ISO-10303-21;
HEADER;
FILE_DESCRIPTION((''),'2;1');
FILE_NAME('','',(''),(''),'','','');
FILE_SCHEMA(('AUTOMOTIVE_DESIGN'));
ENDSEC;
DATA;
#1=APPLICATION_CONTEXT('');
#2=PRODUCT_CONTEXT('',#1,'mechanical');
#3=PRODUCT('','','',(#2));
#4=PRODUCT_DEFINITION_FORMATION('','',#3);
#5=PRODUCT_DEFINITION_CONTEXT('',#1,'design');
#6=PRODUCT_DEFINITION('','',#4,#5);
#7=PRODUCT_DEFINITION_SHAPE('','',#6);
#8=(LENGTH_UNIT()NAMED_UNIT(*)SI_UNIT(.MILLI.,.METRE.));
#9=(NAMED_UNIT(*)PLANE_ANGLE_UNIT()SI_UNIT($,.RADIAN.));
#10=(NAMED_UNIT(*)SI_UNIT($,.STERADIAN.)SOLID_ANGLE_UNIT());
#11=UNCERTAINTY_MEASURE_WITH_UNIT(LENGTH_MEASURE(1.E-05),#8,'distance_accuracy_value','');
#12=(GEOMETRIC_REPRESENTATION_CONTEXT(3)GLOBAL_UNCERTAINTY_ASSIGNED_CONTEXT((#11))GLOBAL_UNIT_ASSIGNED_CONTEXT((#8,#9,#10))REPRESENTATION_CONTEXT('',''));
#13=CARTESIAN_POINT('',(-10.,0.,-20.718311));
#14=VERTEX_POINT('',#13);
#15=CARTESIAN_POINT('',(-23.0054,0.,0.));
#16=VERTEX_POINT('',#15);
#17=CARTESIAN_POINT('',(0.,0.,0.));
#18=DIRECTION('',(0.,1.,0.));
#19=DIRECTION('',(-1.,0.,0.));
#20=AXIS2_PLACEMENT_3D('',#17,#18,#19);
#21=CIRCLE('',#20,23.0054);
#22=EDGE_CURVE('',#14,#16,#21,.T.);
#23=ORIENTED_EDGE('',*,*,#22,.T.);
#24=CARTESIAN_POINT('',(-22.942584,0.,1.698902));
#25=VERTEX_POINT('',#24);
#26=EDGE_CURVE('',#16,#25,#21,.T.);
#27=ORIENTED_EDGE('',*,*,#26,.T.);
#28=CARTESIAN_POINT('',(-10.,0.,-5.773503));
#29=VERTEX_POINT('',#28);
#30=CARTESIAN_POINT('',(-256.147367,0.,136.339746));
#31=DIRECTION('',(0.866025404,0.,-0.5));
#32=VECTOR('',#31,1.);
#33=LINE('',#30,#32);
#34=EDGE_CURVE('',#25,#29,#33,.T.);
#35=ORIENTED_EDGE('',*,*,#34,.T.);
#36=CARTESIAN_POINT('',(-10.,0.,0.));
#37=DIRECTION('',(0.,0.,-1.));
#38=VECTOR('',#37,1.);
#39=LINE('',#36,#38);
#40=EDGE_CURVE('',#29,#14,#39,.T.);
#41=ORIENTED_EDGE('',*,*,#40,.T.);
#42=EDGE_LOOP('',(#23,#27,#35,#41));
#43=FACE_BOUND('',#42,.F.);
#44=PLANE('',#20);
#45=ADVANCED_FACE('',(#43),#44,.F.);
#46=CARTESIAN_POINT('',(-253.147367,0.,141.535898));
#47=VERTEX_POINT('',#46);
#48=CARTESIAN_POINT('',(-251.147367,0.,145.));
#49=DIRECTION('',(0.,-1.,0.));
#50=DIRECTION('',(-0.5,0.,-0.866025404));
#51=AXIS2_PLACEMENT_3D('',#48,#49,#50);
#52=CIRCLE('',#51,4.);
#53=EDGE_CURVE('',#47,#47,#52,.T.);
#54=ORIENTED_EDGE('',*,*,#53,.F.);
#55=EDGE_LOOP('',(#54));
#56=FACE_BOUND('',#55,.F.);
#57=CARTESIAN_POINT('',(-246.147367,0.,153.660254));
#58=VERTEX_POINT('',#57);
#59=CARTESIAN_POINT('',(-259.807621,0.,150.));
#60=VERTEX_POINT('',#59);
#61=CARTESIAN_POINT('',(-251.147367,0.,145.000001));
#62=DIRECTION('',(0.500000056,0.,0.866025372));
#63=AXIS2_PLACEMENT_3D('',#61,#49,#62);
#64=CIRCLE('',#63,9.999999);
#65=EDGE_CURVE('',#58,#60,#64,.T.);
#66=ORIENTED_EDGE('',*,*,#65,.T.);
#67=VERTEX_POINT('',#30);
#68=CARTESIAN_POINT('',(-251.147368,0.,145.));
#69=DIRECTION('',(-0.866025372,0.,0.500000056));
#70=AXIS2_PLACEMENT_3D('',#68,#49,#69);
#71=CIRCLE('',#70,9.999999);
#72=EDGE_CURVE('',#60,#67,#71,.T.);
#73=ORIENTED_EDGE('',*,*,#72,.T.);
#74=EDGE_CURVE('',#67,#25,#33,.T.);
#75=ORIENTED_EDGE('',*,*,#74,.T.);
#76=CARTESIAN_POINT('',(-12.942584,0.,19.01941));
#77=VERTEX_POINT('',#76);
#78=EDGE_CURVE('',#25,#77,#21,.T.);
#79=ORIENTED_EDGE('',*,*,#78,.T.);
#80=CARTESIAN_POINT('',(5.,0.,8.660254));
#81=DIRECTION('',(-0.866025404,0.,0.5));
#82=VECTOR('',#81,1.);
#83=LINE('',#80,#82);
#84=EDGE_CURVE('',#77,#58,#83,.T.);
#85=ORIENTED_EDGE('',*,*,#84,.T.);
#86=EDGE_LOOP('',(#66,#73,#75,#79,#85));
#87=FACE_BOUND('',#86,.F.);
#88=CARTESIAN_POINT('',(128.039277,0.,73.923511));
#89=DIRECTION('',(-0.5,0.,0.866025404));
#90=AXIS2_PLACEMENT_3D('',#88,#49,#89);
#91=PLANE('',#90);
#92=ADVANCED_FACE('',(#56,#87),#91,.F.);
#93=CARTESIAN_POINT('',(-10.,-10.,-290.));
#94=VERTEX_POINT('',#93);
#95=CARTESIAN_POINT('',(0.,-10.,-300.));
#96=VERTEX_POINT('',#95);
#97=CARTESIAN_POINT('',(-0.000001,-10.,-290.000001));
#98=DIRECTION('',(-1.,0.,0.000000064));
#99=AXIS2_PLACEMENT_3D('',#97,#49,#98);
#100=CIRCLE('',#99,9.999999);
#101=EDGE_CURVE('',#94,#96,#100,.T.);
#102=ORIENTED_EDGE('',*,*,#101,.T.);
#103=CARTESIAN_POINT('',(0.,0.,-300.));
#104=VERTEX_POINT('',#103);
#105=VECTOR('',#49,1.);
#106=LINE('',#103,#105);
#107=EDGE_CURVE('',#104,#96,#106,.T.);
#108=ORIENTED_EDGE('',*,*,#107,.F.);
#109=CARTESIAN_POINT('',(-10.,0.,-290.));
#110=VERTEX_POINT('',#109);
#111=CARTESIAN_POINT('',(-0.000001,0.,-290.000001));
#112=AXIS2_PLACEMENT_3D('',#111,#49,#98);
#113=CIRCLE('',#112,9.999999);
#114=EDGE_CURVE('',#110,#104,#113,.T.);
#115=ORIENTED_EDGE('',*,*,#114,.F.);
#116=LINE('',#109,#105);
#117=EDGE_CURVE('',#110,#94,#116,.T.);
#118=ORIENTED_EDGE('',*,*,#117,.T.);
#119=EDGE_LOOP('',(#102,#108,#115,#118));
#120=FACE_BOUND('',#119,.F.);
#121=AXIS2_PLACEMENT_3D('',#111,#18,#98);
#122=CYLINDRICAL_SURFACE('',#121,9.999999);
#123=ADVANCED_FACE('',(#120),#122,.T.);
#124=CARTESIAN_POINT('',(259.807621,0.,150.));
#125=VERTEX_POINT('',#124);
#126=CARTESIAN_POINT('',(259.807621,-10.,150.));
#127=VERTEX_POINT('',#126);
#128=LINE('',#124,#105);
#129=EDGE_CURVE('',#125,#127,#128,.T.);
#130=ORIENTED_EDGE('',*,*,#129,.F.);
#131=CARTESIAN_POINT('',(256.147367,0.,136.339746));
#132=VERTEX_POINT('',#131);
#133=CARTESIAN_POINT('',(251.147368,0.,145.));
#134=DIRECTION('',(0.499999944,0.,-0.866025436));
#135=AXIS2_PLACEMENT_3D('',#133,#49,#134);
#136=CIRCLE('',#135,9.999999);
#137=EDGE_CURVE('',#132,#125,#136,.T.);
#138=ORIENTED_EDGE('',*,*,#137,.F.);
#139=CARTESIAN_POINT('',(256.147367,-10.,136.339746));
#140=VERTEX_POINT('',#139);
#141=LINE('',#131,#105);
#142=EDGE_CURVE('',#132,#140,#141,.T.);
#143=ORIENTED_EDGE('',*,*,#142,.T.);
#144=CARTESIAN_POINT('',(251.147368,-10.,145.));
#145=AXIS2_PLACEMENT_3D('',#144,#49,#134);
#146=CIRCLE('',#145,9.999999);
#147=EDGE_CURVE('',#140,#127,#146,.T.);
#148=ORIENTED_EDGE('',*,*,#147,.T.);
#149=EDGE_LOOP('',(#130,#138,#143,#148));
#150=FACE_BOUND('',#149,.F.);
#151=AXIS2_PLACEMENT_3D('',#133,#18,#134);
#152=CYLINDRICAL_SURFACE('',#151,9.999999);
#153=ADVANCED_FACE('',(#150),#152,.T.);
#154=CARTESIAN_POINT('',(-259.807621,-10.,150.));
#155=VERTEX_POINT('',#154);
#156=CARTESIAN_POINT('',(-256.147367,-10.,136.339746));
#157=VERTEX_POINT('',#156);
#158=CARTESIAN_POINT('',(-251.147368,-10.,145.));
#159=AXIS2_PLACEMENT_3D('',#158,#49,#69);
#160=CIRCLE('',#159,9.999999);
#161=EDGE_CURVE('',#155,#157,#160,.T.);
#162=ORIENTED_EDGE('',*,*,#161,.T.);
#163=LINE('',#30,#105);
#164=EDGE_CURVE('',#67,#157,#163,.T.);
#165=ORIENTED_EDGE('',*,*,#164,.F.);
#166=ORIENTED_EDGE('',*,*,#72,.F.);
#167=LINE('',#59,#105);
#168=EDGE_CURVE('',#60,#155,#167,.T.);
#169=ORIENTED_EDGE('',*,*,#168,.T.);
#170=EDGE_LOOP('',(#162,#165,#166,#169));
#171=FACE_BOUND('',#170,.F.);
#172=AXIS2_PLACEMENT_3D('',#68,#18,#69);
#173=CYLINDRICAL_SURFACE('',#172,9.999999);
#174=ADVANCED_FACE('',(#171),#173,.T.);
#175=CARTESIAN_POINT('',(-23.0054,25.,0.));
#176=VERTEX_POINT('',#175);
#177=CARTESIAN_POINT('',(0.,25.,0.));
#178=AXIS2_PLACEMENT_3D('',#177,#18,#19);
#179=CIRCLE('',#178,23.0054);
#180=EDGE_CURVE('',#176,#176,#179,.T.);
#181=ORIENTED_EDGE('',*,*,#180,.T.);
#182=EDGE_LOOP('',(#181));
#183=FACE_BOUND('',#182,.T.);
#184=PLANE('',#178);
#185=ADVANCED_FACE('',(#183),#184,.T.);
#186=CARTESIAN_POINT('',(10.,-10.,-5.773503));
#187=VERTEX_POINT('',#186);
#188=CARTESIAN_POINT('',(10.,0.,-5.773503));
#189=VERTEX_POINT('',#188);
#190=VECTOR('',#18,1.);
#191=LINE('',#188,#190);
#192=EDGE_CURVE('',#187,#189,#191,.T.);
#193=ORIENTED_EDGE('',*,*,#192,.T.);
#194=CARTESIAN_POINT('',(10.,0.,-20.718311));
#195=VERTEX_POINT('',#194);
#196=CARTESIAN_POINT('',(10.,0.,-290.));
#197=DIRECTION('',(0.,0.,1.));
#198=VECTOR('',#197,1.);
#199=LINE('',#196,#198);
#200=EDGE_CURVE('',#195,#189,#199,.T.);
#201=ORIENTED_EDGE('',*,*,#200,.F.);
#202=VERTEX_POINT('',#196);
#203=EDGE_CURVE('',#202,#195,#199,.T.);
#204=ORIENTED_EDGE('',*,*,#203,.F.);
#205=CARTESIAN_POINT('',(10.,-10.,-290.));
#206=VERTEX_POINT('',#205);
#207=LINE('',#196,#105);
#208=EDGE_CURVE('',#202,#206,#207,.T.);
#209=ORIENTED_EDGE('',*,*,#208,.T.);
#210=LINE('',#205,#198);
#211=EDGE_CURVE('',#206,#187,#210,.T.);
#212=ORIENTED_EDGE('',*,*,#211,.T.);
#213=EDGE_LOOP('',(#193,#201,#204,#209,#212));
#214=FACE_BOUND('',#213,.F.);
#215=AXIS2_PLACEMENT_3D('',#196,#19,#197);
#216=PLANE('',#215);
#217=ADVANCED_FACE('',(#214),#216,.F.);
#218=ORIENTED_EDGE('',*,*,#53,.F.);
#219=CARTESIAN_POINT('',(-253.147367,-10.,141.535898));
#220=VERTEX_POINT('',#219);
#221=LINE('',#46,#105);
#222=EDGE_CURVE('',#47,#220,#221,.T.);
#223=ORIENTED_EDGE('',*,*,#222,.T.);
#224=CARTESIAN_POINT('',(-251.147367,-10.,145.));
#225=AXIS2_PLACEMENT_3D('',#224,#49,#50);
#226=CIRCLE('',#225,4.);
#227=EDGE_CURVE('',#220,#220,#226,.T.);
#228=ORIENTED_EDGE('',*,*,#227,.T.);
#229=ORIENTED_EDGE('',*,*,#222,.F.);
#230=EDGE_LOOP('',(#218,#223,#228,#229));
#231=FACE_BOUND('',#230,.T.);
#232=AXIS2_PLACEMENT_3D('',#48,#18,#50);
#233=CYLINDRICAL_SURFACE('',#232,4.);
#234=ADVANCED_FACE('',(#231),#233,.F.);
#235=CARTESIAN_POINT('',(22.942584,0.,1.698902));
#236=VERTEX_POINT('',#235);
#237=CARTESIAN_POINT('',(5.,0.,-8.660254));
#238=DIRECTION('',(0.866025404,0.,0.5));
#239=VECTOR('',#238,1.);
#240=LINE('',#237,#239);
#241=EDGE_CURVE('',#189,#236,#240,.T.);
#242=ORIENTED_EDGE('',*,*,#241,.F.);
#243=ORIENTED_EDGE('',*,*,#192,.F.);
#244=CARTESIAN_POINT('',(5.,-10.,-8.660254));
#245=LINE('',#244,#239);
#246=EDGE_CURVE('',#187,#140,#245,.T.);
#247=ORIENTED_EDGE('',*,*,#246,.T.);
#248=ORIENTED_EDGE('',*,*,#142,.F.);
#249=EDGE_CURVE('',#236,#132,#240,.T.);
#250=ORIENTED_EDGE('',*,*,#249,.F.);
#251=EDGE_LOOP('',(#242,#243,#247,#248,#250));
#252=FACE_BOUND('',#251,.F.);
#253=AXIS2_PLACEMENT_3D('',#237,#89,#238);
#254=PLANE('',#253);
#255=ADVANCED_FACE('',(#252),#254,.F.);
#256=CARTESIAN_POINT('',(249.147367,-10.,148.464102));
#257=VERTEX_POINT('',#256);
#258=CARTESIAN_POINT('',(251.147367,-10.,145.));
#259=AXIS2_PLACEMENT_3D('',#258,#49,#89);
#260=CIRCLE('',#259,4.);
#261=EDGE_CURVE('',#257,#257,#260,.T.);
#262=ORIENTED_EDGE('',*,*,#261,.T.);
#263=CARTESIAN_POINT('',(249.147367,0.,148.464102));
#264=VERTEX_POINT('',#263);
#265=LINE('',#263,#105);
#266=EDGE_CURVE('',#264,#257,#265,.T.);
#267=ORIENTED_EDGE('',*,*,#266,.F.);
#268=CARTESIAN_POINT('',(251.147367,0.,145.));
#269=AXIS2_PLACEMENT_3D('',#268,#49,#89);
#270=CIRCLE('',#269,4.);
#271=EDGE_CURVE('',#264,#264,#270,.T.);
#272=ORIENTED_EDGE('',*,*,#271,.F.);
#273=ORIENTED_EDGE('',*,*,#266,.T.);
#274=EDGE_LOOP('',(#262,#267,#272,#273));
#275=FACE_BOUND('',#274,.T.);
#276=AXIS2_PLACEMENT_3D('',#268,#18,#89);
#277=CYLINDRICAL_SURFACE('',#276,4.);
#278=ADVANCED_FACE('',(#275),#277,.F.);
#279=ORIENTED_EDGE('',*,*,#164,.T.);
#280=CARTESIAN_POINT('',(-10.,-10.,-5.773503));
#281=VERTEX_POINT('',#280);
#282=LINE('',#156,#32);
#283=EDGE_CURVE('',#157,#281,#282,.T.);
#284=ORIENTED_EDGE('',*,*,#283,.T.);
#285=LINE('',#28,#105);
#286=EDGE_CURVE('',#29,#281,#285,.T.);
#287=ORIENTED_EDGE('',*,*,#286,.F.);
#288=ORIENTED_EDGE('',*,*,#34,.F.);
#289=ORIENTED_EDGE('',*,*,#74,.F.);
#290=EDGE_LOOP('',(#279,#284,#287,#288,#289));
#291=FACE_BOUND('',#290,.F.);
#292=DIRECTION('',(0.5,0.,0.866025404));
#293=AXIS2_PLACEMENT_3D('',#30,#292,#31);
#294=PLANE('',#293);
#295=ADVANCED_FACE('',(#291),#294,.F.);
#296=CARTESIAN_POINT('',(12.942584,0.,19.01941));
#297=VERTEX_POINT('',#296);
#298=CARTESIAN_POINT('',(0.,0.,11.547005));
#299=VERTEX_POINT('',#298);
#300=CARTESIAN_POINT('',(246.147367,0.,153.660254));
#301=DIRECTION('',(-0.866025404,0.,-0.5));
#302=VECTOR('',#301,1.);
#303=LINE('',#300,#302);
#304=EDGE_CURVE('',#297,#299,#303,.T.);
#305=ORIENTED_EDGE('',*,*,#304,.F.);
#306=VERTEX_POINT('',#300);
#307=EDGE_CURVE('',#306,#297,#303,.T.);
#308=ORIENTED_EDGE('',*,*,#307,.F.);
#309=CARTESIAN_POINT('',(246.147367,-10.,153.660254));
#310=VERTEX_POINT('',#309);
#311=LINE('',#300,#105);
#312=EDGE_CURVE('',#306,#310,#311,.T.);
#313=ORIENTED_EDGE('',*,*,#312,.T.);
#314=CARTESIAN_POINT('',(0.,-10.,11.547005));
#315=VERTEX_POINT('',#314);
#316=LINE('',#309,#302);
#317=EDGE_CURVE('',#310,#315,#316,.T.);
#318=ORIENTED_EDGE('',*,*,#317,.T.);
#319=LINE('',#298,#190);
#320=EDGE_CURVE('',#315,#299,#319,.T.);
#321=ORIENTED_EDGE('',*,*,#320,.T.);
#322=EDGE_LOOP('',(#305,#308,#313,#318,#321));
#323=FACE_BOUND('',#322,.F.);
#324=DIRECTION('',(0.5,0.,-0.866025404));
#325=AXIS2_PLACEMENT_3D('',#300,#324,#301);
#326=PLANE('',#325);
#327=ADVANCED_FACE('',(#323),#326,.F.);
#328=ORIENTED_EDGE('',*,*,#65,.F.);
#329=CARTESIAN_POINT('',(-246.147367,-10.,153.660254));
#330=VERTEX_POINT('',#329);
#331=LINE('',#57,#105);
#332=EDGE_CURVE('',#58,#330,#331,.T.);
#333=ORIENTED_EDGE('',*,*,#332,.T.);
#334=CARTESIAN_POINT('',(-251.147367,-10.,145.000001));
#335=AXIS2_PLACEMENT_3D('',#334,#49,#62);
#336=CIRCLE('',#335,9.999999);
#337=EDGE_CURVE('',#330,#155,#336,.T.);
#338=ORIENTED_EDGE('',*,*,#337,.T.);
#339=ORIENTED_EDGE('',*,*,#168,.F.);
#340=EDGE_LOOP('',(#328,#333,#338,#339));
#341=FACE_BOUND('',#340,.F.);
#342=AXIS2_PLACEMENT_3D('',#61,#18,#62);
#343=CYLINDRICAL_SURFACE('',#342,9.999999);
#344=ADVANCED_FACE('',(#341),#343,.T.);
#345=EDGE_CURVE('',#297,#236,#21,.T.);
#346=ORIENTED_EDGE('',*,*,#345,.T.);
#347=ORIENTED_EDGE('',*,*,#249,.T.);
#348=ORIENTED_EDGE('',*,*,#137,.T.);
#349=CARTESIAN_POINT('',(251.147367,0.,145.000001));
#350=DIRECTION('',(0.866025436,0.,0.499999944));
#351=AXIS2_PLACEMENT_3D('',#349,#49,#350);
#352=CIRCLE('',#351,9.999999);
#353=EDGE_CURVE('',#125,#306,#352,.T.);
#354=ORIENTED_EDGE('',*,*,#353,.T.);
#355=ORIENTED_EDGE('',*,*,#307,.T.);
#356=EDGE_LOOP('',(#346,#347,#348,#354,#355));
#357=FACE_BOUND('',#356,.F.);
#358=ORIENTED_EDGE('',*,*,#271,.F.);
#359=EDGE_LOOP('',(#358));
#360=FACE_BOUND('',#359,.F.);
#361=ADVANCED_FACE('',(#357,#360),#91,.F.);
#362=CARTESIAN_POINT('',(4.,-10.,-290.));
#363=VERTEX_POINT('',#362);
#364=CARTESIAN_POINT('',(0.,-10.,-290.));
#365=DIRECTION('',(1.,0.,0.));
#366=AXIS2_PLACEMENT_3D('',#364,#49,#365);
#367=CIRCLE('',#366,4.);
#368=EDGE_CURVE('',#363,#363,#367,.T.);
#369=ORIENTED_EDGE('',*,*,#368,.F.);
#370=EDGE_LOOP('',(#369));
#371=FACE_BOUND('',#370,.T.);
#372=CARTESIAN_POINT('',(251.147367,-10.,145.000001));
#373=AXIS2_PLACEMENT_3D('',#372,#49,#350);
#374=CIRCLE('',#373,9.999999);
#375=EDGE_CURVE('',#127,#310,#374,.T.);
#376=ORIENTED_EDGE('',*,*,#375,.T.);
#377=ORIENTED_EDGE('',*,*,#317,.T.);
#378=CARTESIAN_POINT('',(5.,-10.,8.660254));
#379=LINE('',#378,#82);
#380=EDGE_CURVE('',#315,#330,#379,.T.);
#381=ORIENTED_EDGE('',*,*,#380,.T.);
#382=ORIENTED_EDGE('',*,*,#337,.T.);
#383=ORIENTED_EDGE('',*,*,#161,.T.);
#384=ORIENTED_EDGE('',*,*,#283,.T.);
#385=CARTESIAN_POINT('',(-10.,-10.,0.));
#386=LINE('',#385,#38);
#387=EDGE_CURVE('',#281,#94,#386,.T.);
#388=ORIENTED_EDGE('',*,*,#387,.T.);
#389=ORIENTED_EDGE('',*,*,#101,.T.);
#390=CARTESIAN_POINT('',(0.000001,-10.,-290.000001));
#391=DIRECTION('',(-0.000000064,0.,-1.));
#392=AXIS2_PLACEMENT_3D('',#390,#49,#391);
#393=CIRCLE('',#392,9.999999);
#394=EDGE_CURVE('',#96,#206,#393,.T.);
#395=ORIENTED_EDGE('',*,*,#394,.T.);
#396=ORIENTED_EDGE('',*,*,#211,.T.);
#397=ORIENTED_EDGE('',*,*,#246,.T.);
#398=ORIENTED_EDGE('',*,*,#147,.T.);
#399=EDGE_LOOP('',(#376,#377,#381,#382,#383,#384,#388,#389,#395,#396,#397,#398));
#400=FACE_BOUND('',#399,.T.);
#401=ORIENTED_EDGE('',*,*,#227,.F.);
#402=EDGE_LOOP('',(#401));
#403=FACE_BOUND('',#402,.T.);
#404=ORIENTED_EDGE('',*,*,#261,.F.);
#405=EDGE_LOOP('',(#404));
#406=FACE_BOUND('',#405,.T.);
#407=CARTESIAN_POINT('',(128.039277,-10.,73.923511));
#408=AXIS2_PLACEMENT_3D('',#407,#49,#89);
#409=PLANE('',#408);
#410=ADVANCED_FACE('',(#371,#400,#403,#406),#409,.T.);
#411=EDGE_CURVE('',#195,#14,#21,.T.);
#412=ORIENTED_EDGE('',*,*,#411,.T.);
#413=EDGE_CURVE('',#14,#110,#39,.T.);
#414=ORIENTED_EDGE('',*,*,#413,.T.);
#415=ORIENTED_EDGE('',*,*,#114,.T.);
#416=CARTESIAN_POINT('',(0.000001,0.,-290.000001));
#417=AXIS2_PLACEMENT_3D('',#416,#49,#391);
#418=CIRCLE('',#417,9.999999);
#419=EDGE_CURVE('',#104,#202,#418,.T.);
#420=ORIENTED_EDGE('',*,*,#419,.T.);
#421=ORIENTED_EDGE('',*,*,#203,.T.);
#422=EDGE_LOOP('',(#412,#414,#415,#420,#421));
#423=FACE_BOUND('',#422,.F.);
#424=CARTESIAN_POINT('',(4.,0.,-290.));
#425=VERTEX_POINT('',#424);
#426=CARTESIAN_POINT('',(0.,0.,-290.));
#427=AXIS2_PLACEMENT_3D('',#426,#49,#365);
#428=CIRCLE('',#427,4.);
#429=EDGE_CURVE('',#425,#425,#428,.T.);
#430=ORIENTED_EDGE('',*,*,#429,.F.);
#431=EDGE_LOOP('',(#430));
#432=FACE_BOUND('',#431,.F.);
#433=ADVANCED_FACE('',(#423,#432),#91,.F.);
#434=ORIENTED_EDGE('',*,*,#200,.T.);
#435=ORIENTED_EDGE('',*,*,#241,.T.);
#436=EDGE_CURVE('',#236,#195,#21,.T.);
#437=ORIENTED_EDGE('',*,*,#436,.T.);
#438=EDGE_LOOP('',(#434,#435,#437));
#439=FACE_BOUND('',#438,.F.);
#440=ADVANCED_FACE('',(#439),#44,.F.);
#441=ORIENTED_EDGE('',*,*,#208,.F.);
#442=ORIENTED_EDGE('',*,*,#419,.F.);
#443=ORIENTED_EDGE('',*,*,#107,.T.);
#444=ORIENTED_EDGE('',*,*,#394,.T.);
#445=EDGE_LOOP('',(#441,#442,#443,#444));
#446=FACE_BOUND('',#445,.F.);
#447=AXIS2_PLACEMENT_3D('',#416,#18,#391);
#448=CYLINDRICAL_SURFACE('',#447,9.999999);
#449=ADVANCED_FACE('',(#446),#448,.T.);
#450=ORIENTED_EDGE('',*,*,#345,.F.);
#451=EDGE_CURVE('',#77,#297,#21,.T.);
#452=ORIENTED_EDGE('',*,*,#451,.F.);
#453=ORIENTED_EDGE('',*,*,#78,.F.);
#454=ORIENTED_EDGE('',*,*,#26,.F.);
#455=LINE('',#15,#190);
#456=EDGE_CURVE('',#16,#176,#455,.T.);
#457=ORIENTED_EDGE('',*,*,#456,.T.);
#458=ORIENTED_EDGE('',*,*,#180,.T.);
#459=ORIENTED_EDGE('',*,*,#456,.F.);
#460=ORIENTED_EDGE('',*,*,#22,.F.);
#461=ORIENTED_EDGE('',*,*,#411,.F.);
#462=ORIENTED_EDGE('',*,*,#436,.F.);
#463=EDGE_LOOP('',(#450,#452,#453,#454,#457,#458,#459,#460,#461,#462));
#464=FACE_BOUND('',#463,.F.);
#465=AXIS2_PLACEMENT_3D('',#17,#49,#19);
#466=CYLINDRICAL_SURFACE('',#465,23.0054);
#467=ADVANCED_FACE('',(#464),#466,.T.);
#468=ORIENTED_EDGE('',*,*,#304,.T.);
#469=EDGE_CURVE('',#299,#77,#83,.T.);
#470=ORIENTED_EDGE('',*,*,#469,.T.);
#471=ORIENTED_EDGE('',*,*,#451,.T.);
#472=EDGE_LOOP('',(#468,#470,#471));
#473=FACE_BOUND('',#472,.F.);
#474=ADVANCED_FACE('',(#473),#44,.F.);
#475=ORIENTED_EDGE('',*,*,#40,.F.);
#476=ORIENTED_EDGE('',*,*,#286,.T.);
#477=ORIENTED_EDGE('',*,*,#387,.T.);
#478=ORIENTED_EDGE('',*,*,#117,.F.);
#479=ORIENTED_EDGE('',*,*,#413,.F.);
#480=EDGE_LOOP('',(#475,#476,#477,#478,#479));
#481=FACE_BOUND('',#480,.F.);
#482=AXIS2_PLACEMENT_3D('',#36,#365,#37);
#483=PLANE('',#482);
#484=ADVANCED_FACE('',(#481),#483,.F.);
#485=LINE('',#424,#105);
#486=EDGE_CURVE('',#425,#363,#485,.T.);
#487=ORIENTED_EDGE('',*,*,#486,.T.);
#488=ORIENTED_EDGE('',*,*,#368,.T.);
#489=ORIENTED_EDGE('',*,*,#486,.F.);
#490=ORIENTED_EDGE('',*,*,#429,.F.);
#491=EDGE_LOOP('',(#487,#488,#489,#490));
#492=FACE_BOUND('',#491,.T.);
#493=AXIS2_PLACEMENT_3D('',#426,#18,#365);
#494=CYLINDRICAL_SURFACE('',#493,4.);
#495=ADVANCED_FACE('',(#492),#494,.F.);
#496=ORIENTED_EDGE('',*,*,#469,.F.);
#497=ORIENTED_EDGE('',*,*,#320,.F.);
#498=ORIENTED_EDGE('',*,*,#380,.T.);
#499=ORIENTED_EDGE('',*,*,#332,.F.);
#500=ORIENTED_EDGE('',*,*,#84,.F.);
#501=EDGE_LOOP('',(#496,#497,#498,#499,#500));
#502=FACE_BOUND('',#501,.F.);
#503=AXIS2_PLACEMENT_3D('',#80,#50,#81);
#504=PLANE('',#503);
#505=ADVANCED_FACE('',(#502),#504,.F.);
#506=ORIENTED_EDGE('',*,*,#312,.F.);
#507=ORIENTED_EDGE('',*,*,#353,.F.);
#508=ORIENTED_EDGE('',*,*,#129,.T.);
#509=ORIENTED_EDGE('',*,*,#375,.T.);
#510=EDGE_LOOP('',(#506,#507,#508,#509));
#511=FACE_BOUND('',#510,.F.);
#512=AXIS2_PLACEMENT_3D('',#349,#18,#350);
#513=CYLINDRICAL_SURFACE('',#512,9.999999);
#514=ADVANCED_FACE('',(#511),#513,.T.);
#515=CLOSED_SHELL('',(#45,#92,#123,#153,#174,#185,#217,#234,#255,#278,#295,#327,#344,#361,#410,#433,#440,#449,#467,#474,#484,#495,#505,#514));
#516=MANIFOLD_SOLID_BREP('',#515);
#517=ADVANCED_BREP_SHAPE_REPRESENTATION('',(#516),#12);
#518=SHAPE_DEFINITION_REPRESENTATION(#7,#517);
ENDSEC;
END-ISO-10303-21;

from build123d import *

# Parameters (mm, degrees)
F0_R     = 4
F1_DEPTH = 10
F3_COUNT = 3
F3_ANGLE = 240
F4_R     = 23.0054
F5_DEPTH = 25


with BuildPart() as f1:
    # F0 (on Front) → F1 (new body)
    with BuildSketch(Plane.XZ):
        with BuildLine():
            Line((10, 0), (-10, 0))
            Line((-10, 0), (-10, -290))
            ThreePointArc((-10, -290), (-7.071068, -297.071068), (0, -300))
            ThreePointArc((0, -300), (7.071068, -297.071068), (10, -290))
            Line((10, -290), (10, 0))
        make_face()
        with Locations((0, -290)):
            Circle(F0_R, mode=Mode.SUBTRACT)
    extrude(amount=F1_DEPTH)



with BuildPart() as f3_1:
    # F3: instance of F1
    add(f1.part.rotate(Axis((0, -33.912361, 0), (0, -1, 0)), 1 * F3_ANGLE / (F3_COUNT - 1)))


with BuildPart() as f3_2:
    # F3: instance of F1
    add(f1.part.rotate(Axis((0, -33.912361, 0), (0, -1, 0)), 2 * F3_ANGLE / (F3_COUNT - 1)))


with BuildPart() as f1_1:
    add(f1.part)

    add(f3_1.part)  # F5 merges F3_1

    add(f3_2.part)  # F5 merges F3_2
    # F4 (on face) → F5 (join)
    with BuildSketch(Plane(origin=(0, 0, 0), x_dir=(-1, 0, 0), z_dir=(0, 1, 0))):
        Circle(F4_R)
    extrude(amount=F5_DEPTH)


solid = f1_1.part
